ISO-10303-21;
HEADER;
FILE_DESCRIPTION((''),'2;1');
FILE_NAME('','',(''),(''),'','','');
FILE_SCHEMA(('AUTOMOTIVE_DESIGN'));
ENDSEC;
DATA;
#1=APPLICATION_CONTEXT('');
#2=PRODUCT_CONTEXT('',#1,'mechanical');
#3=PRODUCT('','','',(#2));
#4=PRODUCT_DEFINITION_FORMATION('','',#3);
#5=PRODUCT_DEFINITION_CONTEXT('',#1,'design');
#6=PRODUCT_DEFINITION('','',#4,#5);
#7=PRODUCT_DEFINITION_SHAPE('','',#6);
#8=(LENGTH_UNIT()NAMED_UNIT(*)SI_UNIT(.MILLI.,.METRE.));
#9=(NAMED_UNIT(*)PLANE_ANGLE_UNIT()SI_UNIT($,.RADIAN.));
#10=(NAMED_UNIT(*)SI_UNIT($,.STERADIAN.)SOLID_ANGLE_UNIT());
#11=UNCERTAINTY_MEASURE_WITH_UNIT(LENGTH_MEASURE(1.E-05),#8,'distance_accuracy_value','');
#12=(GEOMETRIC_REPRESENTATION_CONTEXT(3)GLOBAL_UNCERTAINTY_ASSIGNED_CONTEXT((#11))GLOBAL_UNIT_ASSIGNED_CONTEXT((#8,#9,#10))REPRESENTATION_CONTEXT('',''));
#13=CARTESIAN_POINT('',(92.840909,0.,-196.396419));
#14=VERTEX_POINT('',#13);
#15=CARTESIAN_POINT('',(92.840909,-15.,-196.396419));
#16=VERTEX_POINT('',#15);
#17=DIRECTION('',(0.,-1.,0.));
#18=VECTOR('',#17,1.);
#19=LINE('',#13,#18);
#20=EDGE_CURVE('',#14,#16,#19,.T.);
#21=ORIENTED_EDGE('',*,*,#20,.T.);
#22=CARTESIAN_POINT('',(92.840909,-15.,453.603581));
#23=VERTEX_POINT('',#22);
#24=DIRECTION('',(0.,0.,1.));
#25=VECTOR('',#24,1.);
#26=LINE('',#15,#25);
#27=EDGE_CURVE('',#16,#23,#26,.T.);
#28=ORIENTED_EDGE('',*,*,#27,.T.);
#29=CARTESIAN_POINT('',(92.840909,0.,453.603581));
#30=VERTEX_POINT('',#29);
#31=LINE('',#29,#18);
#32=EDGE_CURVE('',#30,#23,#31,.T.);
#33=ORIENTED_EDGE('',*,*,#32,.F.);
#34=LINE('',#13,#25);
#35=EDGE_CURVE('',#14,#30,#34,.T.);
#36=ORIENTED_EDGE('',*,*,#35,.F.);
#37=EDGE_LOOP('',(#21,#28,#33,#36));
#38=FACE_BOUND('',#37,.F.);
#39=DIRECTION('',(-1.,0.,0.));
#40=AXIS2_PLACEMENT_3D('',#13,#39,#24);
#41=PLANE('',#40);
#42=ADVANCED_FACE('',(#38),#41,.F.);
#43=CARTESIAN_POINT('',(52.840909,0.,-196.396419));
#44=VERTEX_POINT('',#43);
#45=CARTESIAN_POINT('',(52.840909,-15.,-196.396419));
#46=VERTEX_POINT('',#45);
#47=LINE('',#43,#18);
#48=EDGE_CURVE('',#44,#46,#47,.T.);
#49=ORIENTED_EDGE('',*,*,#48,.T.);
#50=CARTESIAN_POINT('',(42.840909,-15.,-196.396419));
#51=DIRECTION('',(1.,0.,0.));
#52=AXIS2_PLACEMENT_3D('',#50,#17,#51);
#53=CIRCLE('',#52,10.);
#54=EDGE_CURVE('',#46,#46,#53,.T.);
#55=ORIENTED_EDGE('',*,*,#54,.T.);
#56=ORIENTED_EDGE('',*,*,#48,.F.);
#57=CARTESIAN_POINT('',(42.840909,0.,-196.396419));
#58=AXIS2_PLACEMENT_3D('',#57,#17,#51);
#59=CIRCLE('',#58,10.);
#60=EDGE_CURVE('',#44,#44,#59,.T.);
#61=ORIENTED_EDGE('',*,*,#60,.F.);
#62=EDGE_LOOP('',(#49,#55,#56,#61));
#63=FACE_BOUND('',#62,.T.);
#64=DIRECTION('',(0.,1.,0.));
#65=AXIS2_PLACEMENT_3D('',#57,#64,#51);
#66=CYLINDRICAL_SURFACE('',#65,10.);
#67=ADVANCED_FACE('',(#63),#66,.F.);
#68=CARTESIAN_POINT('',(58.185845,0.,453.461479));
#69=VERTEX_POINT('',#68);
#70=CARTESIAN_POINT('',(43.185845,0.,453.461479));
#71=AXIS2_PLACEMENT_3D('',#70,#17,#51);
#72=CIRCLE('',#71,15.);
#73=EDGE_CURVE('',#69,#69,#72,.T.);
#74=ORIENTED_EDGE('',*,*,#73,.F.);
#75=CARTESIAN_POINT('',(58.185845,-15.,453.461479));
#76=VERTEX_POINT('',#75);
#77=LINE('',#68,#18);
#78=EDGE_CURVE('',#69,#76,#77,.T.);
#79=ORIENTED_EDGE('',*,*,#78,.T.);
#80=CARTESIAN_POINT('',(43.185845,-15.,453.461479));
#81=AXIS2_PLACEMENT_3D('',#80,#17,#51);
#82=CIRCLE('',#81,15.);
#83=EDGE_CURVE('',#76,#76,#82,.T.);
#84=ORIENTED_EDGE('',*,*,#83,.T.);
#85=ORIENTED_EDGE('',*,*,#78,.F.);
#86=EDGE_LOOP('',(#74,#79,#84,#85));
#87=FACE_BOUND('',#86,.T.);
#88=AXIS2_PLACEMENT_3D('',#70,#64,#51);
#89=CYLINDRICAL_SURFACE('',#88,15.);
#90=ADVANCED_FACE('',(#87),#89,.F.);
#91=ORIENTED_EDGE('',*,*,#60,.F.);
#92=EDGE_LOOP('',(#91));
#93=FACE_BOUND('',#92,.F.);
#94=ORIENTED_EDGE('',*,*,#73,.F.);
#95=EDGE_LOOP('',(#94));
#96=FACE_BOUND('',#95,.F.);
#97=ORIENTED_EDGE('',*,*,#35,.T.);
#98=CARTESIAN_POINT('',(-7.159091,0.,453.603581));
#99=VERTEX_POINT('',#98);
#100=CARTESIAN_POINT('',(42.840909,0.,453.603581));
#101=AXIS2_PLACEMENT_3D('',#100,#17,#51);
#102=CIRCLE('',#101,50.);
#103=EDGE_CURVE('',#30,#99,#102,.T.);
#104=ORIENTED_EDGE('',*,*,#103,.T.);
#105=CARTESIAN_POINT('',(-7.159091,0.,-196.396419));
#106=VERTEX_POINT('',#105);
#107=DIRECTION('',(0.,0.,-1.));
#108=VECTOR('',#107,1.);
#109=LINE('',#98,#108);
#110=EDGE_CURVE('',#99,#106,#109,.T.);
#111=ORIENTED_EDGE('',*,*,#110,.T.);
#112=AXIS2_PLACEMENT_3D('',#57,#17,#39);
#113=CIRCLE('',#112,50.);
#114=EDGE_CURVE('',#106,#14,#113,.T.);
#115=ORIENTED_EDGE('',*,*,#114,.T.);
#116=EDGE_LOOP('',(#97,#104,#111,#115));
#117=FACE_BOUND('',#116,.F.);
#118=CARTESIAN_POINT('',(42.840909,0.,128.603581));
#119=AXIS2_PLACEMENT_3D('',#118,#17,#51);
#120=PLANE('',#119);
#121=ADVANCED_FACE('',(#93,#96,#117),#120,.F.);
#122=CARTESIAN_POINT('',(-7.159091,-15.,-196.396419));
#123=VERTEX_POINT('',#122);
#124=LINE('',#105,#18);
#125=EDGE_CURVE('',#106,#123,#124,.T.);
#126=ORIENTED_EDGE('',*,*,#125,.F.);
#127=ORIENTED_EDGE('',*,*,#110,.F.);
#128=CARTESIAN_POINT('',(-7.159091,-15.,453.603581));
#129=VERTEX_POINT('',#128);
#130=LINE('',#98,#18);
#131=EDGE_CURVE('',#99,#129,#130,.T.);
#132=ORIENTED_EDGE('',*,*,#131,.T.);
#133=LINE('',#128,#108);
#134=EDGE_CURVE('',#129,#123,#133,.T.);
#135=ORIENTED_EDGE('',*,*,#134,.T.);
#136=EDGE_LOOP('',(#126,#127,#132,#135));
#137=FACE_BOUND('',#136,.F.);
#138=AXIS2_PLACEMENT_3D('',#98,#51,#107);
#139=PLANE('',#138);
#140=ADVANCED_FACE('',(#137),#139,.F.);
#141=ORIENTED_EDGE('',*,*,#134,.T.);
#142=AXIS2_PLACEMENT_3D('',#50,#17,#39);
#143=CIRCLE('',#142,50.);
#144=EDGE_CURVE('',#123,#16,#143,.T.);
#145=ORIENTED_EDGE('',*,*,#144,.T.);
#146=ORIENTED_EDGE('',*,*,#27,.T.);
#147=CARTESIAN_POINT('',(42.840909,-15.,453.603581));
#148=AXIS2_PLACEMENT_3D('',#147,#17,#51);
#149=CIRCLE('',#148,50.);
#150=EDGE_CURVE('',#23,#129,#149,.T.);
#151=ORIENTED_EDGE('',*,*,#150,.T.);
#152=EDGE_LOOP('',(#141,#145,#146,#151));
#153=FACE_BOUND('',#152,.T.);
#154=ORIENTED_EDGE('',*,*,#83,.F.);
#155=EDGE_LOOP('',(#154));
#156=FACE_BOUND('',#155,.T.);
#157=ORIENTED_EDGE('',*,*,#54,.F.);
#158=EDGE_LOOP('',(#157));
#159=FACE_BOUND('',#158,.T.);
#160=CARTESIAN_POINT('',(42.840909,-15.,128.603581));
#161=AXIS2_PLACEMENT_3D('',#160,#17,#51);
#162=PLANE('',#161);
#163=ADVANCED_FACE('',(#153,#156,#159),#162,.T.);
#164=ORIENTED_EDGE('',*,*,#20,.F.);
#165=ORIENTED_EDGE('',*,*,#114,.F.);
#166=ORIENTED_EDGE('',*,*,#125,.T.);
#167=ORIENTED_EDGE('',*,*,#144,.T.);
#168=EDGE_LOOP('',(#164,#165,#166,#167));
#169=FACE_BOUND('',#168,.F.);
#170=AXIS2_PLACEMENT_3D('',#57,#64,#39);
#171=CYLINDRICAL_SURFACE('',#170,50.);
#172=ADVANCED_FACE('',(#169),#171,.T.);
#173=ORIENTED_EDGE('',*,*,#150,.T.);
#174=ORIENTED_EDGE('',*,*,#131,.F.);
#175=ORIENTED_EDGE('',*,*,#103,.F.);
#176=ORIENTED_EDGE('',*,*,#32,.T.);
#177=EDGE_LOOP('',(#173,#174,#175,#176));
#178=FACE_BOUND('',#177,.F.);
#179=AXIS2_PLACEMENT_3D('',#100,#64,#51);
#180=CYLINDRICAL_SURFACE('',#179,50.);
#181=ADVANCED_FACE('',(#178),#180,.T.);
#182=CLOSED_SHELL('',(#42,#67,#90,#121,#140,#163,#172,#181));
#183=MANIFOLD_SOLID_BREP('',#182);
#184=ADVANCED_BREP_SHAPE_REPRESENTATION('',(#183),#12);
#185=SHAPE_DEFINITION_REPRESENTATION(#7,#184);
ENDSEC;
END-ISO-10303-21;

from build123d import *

# Parameters (mm, degrees)
F0_R     = 10
F0_R_2   = 15
F1_DEPTH = 15


with BuildPart() as f1:
    # F0 (on Front) → F1 (new body)
    with BuildSketch(Plane.XZ):
        with BuildLine():
            ThreePointArc((92.840909, 453.603581), (42.840909, 503.603581), (-7.159091, 453.603581))
            Line((-7.159091, 453.603581), (-7.159091, -196.396419))
            ThreePointArc((-7.159091, -196.396419), (42.840909, -246.396419), (92.840909, -196.396419))
            Line((92.840909, -196.396419), (92.840909, 453.603581))
        make_face()
        with Locations((42.840909, -196.396419)):
            Circle(F0_R, mode=Mode.SUBTRACT)
        with Locations((43.185845, 453.461479)):
            Circle(F0_R_2, mode=Mode.SUBTRACT)
    extrude(amount=F1_DEPTH)


solid = f1.part
